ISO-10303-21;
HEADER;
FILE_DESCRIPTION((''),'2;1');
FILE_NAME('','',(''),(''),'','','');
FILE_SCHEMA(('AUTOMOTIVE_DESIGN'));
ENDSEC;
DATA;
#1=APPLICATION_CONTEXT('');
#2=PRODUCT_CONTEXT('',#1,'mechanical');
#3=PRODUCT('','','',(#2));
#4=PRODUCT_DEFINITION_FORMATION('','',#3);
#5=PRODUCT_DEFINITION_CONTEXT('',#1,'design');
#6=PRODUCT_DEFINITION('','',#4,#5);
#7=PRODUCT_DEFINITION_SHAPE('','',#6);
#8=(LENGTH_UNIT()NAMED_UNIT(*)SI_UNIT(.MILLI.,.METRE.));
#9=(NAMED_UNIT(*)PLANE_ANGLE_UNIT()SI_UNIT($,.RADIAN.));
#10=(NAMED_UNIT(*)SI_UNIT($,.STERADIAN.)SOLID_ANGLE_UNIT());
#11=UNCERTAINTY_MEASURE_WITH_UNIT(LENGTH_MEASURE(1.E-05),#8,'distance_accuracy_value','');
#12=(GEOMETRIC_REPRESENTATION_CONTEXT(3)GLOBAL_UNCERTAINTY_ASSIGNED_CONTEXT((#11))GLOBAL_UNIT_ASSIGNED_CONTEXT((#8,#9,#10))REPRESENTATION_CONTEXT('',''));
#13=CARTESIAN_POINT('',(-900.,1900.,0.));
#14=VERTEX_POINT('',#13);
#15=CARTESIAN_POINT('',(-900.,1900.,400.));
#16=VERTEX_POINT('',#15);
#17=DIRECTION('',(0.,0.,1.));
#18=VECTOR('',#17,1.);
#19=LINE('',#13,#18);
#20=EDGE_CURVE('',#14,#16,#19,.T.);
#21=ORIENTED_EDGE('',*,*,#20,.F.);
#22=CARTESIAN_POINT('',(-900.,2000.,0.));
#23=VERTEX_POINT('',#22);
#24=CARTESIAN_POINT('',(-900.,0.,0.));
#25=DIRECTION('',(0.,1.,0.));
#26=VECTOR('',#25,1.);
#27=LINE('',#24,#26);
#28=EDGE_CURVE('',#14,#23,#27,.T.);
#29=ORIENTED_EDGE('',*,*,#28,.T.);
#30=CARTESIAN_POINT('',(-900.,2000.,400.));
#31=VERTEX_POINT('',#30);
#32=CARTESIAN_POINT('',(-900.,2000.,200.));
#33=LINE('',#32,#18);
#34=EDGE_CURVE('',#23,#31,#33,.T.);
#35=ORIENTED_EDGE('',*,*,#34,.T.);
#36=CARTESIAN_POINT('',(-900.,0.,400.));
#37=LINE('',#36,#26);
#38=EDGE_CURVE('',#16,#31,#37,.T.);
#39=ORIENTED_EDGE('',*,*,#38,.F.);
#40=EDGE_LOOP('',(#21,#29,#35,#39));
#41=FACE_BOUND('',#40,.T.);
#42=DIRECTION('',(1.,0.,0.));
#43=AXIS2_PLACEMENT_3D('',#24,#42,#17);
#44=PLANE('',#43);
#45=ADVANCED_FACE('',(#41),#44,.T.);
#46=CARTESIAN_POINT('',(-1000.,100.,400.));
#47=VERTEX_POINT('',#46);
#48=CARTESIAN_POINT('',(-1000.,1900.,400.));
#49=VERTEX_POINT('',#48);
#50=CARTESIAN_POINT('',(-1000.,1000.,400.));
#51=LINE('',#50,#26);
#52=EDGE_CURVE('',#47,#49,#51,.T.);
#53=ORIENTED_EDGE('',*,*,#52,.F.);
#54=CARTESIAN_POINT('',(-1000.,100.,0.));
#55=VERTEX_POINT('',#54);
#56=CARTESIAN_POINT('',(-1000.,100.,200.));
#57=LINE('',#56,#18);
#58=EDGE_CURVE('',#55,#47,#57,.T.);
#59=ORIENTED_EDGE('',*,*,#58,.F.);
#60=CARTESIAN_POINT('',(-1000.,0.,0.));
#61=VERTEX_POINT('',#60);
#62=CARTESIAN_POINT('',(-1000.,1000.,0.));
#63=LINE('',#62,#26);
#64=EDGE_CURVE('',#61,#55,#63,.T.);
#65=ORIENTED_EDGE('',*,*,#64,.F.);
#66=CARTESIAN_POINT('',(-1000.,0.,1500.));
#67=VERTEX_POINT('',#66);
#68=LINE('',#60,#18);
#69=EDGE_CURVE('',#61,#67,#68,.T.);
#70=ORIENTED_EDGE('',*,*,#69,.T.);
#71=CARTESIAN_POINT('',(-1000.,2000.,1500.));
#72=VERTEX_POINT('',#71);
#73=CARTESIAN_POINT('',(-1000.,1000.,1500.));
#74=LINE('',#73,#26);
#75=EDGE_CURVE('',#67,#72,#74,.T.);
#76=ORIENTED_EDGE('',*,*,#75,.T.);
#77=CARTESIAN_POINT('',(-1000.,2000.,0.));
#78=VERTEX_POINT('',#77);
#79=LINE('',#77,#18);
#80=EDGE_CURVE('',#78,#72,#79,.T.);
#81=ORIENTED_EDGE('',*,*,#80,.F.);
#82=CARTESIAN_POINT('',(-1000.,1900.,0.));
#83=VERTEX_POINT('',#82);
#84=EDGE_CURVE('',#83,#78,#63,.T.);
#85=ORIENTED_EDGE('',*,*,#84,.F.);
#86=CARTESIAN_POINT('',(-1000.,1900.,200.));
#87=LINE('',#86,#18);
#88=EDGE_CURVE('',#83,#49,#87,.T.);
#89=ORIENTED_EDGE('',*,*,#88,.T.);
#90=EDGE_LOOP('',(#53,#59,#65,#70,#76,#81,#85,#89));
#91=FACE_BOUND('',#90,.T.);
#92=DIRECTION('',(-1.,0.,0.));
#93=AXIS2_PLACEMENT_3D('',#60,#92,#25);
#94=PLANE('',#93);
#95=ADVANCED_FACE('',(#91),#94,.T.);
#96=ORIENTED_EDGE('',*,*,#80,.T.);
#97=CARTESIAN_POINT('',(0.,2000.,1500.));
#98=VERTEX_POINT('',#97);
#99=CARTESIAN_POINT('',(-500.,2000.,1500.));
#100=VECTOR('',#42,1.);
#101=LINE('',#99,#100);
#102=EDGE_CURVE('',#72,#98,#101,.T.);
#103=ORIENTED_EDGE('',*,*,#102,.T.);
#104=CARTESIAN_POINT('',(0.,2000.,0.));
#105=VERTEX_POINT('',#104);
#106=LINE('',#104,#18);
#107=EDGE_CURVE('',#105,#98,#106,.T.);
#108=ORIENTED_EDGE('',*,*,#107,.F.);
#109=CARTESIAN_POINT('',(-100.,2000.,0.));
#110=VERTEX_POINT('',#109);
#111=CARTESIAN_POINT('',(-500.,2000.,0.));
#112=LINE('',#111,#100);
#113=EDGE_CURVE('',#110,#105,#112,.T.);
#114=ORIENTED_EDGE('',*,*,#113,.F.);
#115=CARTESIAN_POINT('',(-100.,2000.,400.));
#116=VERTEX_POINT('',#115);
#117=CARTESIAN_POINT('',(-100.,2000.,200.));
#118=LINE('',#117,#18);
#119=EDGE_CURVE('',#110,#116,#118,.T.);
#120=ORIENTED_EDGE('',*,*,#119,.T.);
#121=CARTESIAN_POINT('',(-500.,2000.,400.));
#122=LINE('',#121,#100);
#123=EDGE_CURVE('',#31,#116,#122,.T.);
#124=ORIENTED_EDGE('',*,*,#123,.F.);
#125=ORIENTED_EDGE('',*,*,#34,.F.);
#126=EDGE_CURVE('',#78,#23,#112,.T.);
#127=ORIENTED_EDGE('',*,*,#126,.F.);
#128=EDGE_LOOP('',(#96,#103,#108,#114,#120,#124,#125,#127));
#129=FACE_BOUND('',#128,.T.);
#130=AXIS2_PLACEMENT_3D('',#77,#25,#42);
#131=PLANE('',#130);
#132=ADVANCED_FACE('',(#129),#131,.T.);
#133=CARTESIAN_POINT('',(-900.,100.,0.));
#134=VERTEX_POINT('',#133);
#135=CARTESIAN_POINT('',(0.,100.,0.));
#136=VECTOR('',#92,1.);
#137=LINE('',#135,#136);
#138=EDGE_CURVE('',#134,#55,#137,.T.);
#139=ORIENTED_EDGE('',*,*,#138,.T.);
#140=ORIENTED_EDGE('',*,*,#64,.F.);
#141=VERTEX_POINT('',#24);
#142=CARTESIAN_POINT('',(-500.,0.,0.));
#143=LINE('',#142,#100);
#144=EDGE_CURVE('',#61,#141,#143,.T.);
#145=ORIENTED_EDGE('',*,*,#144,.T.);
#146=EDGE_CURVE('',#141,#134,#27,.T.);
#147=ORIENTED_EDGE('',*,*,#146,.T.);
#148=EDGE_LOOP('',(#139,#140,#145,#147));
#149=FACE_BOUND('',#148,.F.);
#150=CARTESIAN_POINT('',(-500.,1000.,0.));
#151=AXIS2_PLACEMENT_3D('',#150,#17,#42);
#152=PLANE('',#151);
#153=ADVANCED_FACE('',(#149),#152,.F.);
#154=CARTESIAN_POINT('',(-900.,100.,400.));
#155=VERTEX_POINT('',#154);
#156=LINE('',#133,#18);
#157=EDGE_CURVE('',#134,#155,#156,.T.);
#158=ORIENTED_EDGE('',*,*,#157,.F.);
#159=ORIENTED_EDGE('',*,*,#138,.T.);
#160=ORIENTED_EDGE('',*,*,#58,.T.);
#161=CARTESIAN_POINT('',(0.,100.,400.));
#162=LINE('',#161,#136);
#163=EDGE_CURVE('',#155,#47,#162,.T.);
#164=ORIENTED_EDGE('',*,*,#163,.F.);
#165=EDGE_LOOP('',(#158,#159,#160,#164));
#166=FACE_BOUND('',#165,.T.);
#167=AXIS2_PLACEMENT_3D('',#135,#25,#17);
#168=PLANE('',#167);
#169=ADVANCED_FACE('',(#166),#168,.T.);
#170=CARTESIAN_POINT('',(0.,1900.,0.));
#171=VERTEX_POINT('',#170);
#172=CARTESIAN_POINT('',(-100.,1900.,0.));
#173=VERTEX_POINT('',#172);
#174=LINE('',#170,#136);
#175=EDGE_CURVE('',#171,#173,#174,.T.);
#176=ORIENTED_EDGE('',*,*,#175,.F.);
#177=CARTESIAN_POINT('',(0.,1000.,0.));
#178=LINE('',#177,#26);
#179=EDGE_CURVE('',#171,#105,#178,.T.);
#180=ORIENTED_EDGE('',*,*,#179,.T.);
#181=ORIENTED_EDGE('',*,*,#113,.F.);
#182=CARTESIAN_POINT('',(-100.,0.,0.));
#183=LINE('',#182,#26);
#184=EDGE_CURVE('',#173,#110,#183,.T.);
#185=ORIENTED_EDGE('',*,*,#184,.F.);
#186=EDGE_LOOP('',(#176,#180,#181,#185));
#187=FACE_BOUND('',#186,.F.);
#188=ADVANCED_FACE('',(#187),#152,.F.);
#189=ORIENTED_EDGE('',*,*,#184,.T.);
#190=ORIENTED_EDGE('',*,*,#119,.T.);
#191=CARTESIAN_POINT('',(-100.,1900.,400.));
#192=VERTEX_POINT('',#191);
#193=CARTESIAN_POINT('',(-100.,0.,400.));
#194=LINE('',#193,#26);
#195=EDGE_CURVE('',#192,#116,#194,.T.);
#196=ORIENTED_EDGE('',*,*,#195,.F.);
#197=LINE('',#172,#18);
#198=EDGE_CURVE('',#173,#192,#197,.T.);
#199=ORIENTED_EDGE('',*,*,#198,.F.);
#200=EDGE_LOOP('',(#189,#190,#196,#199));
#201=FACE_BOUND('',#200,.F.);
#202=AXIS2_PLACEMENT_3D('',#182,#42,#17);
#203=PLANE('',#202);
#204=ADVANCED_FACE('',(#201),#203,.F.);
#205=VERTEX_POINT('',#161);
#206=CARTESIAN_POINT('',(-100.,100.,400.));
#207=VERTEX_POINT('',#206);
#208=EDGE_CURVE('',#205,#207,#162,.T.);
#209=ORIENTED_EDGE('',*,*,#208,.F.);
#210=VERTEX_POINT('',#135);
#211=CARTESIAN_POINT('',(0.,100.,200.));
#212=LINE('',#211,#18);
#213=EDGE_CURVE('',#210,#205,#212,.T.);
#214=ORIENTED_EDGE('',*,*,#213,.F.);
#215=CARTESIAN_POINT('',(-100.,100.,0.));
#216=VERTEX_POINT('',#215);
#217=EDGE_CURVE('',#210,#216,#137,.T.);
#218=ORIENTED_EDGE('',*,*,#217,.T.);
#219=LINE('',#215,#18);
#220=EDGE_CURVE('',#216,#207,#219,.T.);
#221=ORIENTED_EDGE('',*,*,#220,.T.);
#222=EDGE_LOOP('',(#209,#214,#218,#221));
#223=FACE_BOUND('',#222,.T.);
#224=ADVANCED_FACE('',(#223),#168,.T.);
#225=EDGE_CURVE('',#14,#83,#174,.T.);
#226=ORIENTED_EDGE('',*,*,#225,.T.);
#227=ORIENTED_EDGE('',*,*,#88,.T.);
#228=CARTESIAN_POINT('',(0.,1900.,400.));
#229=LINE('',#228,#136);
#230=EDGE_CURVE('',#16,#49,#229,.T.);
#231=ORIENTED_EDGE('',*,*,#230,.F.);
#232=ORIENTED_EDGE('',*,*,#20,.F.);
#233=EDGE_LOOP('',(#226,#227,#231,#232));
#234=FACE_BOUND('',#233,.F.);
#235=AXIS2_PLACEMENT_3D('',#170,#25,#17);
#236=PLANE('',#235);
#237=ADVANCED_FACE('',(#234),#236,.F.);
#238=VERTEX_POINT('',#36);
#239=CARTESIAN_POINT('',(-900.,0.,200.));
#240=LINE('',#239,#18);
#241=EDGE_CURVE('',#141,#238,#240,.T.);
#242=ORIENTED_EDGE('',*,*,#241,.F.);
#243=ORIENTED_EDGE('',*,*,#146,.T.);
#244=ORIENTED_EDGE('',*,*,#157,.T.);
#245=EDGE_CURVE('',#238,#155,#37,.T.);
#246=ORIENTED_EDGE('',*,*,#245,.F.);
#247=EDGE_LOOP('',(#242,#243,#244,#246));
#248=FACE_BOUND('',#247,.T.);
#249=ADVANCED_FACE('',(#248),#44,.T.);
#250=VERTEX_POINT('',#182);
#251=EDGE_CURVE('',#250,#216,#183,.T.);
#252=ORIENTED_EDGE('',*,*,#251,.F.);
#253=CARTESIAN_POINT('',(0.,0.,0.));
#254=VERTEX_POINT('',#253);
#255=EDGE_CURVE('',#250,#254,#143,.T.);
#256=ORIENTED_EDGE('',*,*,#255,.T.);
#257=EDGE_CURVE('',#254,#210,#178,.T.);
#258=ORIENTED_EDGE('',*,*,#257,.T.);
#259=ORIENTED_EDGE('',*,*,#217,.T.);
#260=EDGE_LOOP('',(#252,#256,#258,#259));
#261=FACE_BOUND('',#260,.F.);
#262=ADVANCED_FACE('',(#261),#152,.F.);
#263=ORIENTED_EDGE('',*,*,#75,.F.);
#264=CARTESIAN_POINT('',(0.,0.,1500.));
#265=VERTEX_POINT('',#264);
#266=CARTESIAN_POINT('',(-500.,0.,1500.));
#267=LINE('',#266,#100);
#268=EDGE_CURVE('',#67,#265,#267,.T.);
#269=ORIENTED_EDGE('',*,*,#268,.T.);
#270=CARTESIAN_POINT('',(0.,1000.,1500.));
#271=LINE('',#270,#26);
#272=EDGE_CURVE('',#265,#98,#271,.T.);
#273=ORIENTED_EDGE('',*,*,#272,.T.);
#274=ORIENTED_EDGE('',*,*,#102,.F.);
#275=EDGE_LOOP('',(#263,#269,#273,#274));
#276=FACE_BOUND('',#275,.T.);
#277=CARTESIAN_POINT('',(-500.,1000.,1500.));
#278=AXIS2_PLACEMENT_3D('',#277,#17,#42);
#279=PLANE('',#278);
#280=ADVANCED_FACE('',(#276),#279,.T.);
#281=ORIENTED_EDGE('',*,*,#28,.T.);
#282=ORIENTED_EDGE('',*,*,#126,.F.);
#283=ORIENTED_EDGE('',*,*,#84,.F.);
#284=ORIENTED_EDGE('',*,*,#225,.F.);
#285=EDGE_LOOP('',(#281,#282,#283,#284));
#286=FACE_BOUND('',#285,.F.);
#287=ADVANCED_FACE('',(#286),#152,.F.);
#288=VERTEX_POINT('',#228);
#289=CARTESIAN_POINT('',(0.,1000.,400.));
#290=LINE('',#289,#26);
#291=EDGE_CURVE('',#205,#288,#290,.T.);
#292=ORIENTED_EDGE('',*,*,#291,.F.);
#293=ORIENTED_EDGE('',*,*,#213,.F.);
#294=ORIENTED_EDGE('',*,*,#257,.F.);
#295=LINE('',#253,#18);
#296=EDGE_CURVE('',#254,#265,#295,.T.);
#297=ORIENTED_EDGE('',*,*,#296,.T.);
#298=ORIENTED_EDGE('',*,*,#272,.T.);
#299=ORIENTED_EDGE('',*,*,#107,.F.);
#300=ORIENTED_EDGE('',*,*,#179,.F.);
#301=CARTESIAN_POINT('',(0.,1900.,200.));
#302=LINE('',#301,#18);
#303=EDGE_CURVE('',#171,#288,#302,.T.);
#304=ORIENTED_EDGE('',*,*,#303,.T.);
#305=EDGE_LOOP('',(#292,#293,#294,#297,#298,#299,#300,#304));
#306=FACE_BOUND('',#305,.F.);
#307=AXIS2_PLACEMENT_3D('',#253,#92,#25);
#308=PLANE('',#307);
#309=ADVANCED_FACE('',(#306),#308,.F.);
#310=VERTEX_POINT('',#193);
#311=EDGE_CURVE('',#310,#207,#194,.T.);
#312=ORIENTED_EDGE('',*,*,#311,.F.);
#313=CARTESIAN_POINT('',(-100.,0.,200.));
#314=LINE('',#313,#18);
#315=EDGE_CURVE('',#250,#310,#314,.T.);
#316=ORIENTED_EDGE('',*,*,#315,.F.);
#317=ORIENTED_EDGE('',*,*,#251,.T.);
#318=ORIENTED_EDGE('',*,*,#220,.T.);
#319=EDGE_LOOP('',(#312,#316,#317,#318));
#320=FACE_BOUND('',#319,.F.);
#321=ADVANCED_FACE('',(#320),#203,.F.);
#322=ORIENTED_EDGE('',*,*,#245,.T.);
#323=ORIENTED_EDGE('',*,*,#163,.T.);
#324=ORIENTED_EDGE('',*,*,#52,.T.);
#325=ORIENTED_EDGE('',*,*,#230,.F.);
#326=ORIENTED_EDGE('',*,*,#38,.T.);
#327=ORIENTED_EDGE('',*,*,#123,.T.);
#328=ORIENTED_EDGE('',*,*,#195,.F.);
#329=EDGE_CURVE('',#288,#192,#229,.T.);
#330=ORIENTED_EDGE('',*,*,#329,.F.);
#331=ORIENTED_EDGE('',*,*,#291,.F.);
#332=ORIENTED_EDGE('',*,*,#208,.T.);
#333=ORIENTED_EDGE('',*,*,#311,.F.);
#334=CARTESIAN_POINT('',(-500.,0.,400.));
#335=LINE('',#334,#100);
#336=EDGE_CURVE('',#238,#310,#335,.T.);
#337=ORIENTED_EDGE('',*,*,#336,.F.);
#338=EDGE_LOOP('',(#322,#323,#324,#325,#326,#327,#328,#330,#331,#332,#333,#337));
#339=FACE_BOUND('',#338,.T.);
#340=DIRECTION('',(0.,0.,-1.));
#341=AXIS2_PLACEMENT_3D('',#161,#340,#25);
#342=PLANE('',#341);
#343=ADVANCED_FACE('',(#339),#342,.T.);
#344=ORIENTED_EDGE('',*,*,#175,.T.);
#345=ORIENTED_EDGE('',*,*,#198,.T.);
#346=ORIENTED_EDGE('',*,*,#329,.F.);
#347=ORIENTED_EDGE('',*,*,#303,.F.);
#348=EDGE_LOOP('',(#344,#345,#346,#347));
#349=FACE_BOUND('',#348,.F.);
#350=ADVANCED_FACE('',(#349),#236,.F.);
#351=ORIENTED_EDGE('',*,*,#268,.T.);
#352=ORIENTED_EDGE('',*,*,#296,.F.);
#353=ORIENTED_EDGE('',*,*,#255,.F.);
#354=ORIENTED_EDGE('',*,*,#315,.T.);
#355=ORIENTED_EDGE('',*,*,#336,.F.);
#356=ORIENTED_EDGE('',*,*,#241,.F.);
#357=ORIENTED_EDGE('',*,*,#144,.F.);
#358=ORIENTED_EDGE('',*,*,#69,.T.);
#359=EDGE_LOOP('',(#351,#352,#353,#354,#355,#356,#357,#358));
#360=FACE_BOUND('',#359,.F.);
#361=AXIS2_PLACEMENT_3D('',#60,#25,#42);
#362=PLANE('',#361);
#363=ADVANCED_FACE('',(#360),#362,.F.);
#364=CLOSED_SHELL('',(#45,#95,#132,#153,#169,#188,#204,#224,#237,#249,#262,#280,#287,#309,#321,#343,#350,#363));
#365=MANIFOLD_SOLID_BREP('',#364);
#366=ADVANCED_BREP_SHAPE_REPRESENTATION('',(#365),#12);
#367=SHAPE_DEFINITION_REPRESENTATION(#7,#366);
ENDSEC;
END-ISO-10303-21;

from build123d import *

# Parameters (mm, degrees)
F0_W     = 1000
F0_H     = 2000
F1_DEPTH = 1500
F2_W     = 800
F2_H     = 400
F3_DEPTH = 2000
F4_W     = 1800
F4_H     = 400
F5_DEPTH = 1000


with BuildPart() as f1:
    # F0 (on Top) → F1 (new body)
    with BuildSketch(Plane.XY):
        with Locations((-500, 1000)):
            Rectangle(F0_W, F0_H)
    extrude(amount=F1_DEPTH)

    # F2 (on face) → F3 (cut)
    with BuildSketch(Plane.XZ):
        with Locations((-500, 200)):
            Rectangle(F2_W, F2_H)
    extrude(amount=-F3_DEPTH, mode=Mode.SUBTRACT)

    # F4 (on face) → F5 (cut)
    with BuildSketch(Plane.YZ):
        with Locations((1000, 200)):
            Rectangle(F4_W, F4_H)
    extrude(amount=-F5_DEPTH, mode=Mode.SUBTRACT)


solid = f1.part
